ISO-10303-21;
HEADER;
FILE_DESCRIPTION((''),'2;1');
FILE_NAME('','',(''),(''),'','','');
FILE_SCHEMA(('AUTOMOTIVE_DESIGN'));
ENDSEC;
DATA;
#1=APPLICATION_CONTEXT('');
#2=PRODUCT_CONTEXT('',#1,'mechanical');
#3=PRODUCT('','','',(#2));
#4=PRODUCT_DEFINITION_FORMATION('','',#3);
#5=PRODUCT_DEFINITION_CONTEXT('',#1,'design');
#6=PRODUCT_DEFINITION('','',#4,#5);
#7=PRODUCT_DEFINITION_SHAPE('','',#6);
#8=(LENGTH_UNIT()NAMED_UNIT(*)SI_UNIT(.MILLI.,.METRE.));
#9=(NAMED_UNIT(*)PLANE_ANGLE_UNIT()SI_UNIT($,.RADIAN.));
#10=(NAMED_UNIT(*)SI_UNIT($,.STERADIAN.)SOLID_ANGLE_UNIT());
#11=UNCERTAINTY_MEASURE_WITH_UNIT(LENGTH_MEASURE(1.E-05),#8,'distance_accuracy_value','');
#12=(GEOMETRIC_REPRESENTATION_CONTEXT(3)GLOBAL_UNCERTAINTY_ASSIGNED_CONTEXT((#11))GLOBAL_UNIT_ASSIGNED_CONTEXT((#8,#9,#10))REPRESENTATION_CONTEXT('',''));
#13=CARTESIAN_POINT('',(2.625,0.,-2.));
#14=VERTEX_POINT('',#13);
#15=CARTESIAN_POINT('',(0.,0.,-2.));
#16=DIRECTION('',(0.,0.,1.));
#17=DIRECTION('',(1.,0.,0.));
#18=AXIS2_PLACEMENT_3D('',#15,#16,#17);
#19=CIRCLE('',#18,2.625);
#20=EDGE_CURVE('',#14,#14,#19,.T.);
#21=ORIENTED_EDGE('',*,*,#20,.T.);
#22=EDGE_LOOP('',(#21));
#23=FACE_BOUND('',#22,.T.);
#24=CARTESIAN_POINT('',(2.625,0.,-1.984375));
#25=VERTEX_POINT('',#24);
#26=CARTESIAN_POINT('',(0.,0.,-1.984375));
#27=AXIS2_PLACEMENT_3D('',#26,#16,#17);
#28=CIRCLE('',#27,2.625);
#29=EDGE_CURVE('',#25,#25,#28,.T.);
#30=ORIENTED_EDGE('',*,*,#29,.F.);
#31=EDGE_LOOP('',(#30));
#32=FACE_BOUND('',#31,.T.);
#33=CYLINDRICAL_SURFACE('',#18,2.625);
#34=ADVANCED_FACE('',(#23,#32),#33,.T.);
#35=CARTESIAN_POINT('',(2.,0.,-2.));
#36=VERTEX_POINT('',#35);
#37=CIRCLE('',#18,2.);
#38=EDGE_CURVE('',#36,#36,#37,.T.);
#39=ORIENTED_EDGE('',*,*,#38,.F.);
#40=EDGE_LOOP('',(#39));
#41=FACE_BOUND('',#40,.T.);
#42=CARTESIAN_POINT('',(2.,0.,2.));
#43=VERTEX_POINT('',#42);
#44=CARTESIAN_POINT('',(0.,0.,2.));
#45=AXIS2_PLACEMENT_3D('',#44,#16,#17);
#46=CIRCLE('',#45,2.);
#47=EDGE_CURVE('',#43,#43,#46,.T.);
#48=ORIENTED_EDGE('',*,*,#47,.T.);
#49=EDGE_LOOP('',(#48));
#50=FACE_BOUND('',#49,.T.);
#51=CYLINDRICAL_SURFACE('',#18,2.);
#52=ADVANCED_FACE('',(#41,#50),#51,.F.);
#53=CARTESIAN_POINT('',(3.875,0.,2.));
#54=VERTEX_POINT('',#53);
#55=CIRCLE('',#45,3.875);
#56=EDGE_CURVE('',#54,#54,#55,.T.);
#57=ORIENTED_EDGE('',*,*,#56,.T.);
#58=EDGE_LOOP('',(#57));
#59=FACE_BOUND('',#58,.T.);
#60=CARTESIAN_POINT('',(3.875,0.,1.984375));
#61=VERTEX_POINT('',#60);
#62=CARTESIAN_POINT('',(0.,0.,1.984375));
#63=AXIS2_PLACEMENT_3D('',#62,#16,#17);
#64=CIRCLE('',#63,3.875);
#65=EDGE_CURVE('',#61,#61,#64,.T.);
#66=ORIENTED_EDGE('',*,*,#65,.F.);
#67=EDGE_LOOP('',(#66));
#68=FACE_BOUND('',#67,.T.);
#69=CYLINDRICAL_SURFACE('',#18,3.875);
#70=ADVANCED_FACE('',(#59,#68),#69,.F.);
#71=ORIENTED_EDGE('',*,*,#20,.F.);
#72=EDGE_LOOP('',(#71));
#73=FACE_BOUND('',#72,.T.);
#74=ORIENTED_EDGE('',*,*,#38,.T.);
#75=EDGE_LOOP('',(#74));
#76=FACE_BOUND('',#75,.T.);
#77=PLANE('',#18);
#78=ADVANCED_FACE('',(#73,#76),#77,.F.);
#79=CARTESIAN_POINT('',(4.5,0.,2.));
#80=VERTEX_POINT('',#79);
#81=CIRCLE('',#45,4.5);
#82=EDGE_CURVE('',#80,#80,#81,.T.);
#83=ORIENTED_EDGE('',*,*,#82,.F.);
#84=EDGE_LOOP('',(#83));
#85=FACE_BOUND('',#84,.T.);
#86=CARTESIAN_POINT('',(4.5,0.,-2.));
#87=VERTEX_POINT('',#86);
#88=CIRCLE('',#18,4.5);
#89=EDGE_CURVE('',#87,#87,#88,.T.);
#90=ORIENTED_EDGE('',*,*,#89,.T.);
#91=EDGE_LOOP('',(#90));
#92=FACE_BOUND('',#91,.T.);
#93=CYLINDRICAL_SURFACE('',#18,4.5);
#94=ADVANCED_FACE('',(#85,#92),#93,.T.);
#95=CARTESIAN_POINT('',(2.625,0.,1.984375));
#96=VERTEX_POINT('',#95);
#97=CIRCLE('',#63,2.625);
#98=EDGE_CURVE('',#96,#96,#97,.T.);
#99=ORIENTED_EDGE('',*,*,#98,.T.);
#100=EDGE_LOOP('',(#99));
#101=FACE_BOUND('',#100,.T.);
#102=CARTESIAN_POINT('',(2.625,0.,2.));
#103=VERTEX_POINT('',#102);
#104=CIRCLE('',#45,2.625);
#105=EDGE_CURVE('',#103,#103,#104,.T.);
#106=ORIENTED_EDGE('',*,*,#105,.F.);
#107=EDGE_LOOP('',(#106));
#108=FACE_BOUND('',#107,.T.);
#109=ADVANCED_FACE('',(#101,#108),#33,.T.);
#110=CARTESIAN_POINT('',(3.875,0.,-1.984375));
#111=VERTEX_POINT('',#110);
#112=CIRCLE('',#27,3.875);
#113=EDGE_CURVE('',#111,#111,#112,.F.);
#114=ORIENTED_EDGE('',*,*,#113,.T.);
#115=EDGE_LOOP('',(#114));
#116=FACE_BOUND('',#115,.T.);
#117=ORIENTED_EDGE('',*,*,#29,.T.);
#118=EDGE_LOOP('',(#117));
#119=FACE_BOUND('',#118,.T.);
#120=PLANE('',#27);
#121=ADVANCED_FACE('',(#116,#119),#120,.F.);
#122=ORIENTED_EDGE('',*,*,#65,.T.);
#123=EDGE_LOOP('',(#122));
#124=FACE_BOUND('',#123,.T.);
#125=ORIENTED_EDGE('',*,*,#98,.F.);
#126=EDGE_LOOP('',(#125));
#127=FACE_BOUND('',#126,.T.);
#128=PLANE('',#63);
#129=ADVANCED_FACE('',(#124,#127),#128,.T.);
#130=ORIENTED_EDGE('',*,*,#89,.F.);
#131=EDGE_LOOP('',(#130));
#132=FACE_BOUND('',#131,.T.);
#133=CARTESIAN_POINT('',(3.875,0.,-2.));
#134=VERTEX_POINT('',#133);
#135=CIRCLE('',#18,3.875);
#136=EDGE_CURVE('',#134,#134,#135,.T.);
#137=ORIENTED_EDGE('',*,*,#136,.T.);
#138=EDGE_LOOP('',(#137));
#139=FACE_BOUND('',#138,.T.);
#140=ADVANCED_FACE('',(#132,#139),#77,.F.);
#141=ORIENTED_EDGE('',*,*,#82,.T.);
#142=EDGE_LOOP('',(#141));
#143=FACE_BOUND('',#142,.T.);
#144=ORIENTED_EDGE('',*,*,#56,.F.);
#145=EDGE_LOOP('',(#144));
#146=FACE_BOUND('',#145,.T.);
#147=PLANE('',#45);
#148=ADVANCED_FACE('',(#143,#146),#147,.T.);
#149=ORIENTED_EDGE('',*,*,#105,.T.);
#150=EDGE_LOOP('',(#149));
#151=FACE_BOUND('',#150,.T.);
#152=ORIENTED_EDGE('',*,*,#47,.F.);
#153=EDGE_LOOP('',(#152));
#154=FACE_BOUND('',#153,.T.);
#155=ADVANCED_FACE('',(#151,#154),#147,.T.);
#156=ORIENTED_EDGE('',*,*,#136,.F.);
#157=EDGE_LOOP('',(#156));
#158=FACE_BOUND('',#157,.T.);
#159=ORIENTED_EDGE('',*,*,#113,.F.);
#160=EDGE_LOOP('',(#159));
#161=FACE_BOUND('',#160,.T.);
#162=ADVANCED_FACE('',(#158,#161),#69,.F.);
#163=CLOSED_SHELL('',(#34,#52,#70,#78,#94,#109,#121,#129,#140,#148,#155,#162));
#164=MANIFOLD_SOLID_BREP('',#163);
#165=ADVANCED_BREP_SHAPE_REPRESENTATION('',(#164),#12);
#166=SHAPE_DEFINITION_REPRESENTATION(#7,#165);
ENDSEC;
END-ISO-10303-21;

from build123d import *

# Parameters (mm, degrees)
BOSS_EXTRUDE1_DEPTH        = 2
BOSS_EXTRUDE1_DEPTH_BACK   = 2
SKETCH1_R                  = 2.625
SKETCH1_R_2                = 2
BOSS_EXTRUDE1_2_DEPTH      = 2
BOSS_EXTRUDE1_2_DEPTH_BACK = 2
SKETCH1_R_3                = 4.5
SKETCH1_R_4                = 3.875
BOSS_EXTRUDE2_DEPTH        = 1.984375
BOSS_EXTRUDE2_DEPTH_BACK   = 1.984375
SKETCH1_3_R                = 3.875
SKETCH1_3_R_2              = 2.625


with BuildPart() as part:
    # Sketch1 → Boss-Extrude1 (new, two sides: drawn at the far end of the back side and taken through both)
    with BuildSketch(Plane.XY.offset(-BOSS_EXTRUDE1_DEPTH_BACK)):
        Circle(SKETCH1_R)
        Circle(SKETCH1_R_2, mode=Mode.SUBTRACT)
    extrude(amount=BOSS_EXTRUDE1_DEPTH + BOSS_EXTRUDE1_DEPTH_BACK)



with BuildPart() as body_2:
    # Sketch1 → Boss-Extrude1 2 (new, two sides: drawn at the far end of the back side and taken through both)
    with BuildSketch(Plane.XY.offset(-BOSS_EXTRUDE1_2_DEPTH_BACK)):
        Circle(SKETCH1_R_3)
        Circle(SKETCH1_R_4, mode=Mode.SUBTRACT)
    extrude(amount=BOSS_EXTRUDE1_2_DEPTH + BOSS_EXTRUDE1_2_DEPTH_BACK)


with BuildPart() as part_1:
    add(part.part)

    add(body_2.part)  # Boss-Extrude2 merges body 2
    # Sketch1<3> → Boss-Extrude2 (add, two sides: drawn at the far end of the back side and taken through both)
    with BuildSketch(Plane.XY.offset(-BOSS_EXTRUDE2_DEPTH_BACK)):
        Circle(SKETCH1_3_R)
        Circle(SKETCH1_3_R_2, mode=Mode.SUBTRACT)
    extrude(amount=BOSS_EXTRUDE2_DEPTH + BOSS_EXTRUDE2_DEPTH_BACK)


solid = part_1.part
